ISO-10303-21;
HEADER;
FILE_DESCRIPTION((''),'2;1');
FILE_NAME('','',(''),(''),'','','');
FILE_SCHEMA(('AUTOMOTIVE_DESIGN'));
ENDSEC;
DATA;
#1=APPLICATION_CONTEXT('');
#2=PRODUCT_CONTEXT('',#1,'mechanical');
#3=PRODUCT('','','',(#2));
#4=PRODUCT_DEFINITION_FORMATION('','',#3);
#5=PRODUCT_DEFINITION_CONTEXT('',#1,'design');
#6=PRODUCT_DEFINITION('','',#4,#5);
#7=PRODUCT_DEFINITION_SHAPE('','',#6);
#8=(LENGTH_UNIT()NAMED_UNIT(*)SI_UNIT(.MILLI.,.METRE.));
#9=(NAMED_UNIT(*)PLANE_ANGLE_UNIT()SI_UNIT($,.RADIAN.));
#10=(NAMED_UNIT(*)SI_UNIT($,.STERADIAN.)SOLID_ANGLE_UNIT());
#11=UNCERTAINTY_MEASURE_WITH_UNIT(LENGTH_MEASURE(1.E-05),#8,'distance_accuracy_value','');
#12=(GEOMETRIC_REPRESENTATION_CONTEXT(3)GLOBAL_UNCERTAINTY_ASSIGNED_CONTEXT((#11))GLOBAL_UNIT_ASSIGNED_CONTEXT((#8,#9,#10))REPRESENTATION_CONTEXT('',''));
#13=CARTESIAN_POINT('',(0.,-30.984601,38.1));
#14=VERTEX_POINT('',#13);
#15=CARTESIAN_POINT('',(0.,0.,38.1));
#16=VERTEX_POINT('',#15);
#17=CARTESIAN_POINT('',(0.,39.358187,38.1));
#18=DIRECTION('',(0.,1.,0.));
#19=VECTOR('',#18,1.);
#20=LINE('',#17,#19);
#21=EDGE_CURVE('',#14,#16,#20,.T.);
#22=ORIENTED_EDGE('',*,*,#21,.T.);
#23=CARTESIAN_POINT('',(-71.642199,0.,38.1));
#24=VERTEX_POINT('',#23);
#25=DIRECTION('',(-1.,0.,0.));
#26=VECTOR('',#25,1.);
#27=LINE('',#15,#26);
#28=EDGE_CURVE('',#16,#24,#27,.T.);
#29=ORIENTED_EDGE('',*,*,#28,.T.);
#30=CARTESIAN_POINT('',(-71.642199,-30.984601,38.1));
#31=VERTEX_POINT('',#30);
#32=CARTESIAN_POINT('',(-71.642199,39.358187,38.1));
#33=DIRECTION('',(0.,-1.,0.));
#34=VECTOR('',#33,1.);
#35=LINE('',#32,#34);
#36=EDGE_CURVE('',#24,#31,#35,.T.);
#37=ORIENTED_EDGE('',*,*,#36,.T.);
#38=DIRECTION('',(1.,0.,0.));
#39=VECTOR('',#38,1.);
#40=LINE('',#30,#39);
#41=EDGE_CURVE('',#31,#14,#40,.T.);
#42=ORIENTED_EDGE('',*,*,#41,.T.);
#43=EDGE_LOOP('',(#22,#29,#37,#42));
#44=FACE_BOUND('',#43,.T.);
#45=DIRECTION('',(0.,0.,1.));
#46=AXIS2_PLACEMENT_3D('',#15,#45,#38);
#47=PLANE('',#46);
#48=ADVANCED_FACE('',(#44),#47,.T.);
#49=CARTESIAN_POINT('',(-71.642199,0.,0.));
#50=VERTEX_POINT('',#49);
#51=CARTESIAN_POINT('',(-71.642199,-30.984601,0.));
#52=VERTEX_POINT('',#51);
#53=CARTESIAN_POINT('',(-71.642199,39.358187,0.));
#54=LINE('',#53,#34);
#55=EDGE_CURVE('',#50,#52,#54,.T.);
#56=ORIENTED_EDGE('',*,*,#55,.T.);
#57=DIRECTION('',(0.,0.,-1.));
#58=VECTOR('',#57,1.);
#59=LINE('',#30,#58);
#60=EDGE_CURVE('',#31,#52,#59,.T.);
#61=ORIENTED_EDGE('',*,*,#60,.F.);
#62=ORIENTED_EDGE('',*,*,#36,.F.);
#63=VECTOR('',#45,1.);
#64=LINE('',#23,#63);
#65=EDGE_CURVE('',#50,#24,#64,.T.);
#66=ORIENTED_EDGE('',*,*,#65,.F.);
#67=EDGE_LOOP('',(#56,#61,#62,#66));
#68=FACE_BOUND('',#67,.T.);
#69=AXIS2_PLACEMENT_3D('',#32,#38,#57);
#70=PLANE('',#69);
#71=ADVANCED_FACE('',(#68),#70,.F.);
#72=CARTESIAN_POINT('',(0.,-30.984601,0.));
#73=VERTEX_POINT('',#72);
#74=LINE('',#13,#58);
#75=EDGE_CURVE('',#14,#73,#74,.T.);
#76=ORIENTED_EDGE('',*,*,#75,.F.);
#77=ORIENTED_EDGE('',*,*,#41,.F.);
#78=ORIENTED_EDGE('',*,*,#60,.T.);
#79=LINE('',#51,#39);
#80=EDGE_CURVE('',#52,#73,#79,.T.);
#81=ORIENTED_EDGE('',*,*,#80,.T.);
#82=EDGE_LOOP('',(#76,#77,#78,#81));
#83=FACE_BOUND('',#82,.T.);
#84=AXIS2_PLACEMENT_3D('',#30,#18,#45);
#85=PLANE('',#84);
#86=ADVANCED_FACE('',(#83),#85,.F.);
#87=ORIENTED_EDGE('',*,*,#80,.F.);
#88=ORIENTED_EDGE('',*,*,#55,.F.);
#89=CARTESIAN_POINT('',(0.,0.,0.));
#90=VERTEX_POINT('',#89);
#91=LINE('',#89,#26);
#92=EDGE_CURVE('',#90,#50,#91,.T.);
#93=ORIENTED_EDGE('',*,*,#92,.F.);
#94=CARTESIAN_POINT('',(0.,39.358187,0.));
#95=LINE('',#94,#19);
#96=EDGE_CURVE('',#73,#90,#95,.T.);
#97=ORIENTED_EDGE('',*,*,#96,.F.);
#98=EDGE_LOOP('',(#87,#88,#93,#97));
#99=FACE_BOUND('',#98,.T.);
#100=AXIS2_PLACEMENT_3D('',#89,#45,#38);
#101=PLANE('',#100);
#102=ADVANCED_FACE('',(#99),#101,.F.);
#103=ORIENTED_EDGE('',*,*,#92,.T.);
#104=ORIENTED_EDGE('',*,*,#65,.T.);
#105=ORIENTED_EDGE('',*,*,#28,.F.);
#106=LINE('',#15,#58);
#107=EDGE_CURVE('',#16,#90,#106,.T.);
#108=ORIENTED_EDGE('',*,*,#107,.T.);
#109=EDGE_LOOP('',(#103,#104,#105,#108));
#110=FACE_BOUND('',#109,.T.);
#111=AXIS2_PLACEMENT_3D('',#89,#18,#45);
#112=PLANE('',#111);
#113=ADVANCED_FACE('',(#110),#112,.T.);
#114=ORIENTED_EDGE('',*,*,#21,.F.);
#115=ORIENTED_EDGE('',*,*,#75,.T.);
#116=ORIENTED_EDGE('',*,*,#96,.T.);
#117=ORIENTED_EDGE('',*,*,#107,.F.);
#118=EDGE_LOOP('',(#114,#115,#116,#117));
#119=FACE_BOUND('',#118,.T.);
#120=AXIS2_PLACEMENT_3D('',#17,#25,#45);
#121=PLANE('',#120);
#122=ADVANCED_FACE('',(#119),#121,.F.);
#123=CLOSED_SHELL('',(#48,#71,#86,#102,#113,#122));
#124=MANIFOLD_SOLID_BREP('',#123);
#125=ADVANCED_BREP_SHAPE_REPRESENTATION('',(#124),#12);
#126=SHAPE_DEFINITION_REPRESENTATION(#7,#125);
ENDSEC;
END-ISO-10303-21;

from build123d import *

# Parameters (mm, degrees)
SKETCH1_W           = 71.642199208
SKETCH1_H           = 70.342787867
BOSS_EXTRUDE1_DEPTH = 38.1


with BuildPart() as part:
    # Sketch1 → Boss-Extrude1 (new body)
    with BuildSketch(Plane.XY):
        with Locations((-35.821099604, 4.186792888)):
            Rectangle(SKETCH1_W, SKETCH1_H)
    extrude(amount=BOSS_EXTRUDE1_DEPTH)

    # SurfaceCut1
    split(bisect_by=Plane(origin=(0, 0, 0), x_dir=(1, 0, 0), z_dir=(0, 1, 0)), keep=Keep.BOTTOM)


solid = part.part
